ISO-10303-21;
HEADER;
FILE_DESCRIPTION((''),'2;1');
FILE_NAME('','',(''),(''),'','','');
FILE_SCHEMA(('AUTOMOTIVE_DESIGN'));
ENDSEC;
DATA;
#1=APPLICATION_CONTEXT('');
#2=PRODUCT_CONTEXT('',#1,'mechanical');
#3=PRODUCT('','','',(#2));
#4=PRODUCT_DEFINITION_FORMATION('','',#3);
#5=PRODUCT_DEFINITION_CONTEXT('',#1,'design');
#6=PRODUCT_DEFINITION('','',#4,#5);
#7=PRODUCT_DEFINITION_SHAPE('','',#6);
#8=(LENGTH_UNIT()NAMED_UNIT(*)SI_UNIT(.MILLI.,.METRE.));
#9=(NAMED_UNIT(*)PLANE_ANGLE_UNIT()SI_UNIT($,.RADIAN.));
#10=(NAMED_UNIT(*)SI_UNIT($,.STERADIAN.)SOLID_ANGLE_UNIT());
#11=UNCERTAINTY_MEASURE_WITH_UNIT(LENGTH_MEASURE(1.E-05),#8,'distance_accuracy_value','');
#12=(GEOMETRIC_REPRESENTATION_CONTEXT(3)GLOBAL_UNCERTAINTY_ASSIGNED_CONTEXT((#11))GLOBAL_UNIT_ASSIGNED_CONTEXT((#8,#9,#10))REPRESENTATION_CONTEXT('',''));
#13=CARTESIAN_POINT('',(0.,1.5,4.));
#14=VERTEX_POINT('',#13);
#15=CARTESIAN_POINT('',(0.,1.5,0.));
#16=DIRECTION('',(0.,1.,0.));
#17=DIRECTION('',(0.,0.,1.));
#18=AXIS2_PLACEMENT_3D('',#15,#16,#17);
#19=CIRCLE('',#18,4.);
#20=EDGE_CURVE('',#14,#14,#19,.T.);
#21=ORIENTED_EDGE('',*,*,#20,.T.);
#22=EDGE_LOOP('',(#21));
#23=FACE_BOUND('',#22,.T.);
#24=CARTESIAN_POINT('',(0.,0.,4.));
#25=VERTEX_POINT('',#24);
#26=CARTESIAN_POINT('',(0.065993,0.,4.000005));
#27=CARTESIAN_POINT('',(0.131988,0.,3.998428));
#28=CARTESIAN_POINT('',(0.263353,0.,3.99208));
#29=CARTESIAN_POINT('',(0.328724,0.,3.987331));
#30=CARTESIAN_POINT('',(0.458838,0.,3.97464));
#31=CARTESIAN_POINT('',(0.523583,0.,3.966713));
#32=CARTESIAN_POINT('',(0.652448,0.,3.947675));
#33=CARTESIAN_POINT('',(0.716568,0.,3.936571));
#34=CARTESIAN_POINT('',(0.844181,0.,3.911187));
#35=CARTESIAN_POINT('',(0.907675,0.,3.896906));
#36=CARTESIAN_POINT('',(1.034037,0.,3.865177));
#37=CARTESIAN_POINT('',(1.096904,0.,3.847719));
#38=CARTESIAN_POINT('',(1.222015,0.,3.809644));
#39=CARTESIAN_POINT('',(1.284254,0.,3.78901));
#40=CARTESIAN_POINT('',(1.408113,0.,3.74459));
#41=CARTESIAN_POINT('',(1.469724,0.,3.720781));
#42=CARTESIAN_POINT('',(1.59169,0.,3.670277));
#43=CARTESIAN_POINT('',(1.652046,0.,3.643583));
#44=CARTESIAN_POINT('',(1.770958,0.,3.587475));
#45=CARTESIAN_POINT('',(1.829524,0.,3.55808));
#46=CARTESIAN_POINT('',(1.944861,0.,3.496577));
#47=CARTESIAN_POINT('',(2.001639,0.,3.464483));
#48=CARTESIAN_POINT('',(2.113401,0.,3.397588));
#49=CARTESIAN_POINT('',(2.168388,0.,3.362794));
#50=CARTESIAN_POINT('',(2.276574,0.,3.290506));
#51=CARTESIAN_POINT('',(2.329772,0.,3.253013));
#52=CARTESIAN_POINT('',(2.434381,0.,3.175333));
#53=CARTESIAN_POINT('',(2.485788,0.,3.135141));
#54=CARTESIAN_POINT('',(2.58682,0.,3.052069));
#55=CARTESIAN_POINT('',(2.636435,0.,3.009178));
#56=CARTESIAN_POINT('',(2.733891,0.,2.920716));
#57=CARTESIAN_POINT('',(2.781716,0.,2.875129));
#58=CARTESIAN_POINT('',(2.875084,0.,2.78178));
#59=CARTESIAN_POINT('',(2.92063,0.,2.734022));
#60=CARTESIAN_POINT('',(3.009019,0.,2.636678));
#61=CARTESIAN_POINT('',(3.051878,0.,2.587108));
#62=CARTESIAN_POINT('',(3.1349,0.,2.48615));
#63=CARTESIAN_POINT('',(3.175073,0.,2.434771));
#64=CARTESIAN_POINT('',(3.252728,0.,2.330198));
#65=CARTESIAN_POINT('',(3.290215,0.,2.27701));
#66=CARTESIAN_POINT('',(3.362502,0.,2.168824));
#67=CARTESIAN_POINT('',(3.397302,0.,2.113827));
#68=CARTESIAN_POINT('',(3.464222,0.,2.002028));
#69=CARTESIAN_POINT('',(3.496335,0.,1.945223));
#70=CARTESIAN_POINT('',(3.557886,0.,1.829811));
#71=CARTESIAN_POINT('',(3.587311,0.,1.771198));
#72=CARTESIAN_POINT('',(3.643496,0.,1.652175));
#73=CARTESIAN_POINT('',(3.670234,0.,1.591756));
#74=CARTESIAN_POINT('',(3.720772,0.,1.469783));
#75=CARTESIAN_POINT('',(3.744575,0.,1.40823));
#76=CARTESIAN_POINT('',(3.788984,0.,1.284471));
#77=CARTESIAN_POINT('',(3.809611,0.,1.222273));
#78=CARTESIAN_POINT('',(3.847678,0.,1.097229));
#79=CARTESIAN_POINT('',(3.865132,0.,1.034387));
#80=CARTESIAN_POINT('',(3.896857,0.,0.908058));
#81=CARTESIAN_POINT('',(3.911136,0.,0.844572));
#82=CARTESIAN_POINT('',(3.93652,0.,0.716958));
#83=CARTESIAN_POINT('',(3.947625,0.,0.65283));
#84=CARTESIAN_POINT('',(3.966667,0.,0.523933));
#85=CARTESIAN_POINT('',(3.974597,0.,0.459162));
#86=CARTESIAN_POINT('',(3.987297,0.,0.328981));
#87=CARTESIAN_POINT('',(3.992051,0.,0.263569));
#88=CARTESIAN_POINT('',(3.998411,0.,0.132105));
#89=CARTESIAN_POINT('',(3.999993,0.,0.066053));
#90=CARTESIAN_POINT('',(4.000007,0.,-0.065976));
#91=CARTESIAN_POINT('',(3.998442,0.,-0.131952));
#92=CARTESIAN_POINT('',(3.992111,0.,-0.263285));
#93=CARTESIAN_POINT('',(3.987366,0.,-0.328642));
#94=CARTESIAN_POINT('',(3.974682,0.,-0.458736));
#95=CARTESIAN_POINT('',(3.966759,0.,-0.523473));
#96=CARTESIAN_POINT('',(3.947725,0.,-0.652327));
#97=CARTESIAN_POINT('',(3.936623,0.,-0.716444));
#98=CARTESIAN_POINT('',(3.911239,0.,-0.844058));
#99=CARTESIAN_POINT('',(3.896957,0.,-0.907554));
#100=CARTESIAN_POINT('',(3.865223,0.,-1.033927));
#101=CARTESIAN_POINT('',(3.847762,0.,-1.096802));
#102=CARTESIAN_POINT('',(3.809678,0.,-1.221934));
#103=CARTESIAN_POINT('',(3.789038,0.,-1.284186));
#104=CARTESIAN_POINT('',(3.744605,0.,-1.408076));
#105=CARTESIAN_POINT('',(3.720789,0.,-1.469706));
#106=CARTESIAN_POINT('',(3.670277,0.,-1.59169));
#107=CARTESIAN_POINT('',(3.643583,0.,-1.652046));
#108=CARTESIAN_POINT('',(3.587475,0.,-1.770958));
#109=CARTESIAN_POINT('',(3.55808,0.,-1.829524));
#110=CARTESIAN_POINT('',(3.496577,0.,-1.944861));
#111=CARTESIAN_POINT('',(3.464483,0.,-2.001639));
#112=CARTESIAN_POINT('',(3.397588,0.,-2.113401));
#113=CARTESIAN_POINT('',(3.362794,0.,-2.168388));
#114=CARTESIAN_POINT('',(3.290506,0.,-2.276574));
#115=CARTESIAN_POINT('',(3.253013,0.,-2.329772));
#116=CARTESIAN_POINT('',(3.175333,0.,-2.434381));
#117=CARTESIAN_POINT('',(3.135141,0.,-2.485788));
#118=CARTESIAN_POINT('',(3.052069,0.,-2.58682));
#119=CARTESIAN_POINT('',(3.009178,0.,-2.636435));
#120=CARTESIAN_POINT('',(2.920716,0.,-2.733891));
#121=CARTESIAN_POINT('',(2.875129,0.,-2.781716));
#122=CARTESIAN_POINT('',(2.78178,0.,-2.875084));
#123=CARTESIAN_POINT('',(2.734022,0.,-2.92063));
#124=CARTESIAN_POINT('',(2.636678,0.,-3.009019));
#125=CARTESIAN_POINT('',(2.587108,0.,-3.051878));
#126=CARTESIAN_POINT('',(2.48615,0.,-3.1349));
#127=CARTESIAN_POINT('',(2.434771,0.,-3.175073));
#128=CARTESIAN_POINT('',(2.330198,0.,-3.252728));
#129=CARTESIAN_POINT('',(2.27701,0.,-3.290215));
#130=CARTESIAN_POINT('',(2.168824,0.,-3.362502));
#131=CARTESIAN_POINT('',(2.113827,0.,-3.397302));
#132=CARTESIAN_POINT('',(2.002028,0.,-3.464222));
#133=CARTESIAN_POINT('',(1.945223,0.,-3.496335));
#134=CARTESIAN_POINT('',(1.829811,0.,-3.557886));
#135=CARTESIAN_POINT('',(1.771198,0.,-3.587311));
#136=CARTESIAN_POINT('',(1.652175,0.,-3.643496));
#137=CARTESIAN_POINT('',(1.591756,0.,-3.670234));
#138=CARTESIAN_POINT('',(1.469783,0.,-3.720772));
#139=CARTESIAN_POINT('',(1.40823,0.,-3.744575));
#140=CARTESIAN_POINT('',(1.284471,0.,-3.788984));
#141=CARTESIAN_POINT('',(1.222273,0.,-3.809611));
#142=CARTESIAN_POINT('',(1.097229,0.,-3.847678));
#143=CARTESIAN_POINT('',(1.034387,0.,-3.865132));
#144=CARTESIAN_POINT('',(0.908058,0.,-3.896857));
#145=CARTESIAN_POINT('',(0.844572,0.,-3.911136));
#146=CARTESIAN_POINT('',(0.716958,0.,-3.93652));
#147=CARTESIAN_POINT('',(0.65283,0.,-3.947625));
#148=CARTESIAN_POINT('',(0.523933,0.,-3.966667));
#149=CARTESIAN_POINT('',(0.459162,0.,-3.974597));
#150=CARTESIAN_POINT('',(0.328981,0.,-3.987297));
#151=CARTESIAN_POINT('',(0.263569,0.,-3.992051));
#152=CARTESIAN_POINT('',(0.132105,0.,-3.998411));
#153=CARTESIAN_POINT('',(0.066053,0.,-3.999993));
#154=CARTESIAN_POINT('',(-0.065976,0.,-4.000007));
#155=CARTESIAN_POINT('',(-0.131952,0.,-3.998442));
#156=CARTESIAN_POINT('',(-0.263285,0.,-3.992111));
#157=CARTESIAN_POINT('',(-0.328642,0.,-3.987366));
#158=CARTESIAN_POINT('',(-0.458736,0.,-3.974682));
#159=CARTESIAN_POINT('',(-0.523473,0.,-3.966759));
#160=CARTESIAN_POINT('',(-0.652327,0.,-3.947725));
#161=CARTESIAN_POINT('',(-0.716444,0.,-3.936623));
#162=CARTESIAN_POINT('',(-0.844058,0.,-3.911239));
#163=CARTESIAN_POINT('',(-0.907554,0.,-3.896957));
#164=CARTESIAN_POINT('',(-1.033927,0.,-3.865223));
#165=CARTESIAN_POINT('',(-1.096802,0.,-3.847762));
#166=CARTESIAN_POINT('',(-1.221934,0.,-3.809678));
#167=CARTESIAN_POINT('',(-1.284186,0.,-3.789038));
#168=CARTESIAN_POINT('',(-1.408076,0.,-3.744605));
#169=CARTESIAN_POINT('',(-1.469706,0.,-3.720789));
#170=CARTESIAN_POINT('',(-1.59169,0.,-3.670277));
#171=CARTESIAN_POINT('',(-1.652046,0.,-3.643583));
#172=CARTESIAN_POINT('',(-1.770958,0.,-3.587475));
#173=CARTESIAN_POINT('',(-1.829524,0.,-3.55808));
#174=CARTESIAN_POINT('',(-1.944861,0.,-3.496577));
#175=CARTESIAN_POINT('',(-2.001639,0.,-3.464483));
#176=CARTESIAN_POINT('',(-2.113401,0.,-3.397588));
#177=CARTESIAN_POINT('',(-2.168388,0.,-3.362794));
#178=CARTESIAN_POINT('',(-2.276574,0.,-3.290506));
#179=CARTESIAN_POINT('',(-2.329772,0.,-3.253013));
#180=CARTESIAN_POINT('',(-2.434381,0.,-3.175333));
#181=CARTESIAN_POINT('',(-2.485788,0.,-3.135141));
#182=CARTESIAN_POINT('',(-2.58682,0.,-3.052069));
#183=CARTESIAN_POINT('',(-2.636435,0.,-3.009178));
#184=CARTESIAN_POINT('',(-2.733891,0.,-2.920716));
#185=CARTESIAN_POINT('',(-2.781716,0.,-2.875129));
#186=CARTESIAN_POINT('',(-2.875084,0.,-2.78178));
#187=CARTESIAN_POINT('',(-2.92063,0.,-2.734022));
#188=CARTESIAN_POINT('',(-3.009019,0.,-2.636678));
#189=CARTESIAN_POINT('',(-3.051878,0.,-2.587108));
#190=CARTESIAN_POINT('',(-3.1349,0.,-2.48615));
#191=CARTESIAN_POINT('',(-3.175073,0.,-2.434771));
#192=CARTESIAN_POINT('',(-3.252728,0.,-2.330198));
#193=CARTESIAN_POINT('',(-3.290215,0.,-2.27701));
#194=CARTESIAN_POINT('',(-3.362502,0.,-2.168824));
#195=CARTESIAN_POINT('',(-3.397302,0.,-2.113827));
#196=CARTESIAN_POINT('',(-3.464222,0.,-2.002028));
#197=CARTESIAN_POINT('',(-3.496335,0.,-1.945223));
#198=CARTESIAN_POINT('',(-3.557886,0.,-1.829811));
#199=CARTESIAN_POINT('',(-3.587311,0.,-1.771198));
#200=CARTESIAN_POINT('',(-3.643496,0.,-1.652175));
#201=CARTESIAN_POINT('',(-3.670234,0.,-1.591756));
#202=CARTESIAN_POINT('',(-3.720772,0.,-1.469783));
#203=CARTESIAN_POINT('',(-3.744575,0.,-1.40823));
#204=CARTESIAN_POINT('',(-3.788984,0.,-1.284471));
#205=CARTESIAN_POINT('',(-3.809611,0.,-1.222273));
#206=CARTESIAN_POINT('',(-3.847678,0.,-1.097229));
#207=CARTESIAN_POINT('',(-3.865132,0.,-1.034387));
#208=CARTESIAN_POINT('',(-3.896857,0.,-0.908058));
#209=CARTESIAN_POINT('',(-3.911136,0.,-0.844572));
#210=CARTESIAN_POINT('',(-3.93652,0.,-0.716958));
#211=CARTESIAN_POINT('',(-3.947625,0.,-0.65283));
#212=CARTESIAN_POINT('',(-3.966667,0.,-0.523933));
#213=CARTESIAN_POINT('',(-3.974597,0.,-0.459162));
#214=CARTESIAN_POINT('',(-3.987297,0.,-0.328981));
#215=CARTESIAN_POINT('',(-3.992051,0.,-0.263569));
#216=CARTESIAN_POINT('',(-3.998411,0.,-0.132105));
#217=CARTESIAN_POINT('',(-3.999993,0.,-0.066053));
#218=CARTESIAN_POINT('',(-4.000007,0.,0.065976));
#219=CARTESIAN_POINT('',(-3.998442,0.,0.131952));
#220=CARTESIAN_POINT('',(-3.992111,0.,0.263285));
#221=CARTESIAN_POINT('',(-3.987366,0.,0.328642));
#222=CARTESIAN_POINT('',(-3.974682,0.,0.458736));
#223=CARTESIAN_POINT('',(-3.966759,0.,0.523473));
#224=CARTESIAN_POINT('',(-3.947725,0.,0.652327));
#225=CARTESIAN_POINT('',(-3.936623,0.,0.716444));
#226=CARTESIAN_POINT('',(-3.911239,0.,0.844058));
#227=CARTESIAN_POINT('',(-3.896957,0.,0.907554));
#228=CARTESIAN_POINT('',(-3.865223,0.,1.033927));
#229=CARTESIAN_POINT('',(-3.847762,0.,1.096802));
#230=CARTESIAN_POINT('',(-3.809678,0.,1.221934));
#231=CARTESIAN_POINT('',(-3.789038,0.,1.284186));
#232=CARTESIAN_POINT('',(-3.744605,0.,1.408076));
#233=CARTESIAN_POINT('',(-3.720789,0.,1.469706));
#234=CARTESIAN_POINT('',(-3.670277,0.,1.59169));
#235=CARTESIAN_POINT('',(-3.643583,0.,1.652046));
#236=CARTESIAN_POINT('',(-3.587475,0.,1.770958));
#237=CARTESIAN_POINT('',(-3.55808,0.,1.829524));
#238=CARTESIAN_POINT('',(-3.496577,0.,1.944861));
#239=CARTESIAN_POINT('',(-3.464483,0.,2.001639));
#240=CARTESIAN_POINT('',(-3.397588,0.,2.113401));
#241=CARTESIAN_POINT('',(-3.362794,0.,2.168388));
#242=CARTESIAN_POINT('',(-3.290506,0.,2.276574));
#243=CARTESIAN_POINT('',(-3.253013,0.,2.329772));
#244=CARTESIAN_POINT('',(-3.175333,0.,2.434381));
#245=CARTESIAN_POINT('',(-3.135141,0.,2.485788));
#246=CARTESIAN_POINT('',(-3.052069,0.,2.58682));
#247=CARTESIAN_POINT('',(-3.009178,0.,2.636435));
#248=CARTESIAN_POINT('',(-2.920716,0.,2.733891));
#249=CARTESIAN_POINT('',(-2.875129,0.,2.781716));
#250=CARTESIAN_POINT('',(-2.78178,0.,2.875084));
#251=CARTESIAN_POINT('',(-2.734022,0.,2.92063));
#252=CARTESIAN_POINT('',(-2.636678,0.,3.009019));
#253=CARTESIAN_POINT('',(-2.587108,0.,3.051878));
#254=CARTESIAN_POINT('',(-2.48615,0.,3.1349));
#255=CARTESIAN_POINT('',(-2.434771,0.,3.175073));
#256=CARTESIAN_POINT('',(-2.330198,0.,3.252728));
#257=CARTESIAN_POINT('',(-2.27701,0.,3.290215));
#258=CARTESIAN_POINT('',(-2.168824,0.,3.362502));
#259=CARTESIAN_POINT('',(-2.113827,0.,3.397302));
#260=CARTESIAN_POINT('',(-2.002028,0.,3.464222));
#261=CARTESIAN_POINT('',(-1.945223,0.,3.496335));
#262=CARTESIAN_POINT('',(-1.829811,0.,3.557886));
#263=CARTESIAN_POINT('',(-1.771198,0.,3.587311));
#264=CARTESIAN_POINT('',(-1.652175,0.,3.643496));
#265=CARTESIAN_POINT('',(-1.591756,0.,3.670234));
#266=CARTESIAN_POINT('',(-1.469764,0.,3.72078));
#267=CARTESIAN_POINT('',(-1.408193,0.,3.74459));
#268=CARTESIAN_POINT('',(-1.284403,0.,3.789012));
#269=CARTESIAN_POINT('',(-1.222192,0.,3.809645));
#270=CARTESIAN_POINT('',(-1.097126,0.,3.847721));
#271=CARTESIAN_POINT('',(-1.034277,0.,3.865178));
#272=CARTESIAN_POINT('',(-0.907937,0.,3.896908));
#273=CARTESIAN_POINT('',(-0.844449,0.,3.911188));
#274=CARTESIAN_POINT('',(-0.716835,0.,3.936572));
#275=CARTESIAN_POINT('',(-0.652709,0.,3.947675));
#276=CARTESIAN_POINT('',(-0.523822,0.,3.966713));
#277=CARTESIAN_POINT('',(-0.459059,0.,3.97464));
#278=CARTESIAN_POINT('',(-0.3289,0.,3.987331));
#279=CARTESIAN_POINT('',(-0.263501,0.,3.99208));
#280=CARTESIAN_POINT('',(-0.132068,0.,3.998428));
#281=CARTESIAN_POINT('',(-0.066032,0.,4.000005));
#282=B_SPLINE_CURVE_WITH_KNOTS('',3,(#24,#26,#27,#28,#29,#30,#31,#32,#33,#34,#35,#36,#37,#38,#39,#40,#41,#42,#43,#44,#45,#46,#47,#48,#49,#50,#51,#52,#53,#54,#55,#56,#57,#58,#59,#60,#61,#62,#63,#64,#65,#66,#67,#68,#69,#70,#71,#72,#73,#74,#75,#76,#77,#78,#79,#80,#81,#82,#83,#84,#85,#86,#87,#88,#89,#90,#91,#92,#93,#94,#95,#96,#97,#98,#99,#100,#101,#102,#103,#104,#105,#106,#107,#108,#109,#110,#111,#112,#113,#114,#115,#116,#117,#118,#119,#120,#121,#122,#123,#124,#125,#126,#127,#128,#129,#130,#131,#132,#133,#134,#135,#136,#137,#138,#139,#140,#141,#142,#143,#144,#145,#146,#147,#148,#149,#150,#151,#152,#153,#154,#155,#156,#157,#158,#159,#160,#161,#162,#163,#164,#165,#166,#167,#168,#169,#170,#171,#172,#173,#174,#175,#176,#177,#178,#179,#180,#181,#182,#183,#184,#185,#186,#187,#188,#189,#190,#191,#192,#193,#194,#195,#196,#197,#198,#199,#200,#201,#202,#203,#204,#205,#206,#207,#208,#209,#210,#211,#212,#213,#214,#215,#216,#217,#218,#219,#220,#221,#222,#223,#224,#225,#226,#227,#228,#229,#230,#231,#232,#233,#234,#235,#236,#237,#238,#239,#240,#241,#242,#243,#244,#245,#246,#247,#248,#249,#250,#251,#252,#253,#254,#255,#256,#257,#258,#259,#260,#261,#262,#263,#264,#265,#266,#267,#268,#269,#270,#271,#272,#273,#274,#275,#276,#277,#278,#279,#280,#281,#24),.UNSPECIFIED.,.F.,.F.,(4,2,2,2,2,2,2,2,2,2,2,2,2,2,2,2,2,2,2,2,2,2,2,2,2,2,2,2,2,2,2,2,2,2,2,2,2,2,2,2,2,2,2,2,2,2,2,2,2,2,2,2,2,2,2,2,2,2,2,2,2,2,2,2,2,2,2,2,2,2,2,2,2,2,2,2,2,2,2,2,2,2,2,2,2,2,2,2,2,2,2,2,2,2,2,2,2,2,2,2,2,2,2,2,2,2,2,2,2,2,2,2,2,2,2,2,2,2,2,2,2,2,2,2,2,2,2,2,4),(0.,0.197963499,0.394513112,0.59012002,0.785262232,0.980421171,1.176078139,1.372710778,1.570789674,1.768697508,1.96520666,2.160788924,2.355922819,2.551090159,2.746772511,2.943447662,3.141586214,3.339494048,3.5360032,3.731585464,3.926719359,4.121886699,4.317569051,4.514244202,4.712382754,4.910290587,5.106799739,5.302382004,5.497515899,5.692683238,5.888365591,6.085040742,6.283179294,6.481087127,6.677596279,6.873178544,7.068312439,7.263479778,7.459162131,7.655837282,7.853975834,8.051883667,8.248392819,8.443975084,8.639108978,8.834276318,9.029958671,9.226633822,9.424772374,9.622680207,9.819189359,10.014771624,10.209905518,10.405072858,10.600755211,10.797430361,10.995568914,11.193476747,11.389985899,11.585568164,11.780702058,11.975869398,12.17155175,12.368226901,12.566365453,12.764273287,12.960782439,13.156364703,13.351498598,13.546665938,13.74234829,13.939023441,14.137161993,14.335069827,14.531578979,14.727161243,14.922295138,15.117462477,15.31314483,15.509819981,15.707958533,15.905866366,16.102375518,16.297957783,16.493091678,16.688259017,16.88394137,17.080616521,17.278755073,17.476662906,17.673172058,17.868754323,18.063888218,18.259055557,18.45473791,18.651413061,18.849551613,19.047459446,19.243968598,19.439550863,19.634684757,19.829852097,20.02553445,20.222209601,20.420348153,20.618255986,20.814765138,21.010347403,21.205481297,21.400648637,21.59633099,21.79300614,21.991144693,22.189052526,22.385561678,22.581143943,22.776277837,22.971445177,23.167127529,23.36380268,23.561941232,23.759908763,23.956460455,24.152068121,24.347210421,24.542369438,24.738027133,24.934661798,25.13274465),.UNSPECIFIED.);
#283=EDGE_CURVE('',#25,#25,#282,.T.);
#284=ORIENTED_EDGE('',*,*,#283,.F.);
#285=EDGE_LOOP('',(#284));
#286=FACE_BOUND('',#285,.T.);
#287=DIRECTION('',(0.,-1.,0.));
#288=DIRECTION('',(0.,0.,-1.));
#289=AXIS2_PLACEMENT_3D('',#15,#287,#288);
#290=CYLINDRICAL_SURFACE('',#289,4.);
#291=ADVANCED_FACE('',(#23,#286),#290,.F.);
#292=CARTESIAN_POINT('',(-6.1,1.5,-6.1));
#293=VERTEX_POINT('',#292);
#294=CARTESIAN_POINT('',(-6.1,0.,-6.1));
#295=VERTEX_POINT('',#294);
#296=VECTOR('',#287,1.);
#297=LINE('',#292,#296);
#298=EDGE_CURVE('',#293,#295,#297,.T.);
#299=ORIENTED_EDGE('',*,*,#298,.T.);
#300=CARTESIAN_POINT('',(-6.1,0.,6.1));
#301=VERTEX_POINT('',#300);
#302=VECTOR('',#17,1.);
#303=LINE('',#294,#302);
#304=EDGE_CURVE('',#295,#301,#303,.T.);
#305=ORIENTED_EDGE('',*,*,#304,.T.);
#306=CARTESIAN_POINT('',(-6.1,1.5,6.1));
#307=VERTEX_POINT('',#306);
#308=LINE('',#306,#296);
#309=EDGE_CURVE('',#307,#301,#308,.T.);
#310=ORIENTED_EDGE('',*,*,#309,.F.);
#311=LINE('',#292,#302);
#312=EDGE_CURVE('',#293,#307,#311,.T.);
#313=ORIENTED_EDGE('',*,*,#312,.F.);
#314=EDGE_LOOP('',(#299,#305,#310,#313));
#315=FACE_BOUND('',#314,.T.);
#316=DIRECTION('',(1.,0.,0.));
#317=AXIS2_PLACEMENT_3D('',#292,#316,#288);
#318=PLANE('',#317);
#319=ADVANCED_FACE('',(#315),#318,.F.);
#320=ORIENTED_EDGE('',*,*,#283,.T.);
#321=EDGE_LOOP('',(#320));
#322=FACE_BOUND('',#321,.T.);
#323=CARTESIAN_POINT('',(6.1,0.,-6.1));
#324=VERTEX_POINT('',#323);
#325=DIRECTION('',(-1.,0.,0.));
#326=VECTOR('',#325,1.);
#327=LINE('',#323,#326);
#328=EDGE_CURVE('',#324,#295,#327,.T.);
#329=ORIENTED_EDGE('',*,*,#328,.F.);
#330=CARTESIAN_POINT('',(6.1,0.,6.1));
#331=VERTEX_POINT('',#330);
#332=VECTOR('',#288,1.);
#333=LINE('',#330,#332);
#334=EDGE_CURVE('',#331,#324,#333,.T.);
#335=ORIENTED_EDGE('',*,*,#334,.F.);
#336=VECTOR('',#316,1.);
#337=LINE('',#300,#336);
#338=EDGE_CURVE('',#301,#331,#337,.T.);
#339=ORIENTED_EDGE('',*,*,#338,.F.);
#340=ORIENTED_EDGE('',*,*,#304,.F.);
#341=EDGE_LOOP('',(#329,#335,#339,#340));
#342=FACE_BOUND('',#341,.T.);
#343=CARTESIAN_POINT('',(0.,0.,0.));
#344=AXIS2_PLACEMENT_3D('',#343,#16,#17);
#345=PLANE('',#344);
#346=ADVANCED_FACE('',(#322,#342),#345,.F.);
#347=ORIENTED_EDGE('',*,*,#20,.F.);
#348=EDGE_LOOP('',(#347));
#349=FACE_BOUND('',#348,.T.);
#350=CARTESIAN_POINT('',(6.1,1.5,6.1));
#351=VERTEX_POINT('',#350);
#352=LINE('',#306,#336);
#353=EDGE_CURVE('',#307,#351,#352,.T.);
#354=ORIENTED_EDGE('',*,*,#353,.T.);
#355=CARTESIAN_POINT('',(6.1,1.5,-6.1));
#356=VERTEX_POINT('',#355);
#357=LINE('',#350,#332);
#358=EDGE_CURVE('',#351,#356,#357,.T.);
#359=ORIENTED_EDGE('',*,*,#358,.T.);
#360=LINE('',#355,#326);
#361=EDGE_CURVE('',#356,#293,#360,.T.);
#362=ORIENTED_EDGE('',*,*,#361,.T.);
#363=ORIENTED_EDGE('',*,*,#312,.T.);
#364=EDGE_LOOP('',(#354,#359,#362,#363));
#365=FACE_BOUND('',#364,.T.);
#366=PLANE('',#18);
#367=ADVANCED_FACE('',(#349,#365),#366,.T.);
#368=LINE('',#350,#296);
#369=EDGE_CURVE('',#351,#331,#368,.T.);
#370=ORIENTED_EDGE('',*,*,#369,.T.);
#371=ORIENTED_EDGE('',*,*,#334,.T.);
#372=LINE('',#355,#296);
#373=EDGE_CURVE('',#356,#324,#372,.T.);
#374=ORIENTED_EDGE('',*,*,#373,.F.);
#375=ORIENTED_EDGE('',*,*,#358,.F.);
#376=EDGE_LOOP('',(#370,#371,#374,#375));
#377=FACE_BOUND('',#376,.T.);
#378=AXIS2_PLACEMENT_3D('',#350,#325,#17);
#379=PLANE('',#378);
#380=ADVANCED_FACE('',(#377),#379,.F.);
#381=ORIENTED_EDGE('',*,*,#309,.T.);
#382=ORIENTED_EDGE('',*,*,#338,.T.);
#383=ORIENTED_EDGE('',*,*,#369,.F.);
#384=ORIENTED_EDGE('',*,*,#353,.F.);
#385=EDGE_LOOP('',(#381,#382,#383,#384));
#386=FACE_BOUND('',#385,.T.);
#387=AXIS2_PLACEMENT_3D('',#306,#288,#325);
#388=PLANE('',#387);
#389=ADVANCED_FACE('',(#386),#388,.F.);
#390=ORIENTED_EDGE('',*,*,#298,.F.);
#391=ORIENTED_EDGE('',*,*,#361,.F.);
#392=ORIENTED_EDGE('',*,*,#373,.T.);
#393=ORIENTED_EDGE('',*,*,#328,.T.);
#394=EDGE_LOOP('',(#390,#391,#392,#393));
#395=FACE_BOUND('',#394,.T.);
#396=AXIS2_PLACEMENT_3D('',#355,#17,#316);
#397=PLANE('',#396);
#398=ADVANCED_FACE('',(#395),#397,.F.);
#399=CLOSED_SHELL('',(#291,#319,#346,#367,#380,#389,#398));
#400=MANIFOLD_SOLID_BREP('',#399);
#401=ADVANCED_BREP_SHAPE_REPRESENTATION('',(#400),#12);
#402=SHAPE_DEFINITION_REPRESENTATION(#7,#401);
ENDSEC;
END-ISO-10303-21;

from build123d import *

# Parameters (mm, degrees)
SKETCH1_W             = 12.2
SKETCH1_H             = 12.2
SEAL_DEPTH            = 1.5
WATER_HOLE_DEPTH      = 9.756140702
WATER_HOLE_DEPTH_BACK = 9.756140702
SKETCH2_R             = 4


with BuildPart() as part:
    # Sketch1 → Seal (new body)
    with BuildSketch(Plane(origin=(0, 0, 0), x_dir=(1, 0, 0), z_dir=(0, 1, 0))):
        Rectangle(SKETCH1_W, SKETCH1_H)
    extrude(amount=SEAL_DEPTH)

    # Sketch2 → Water_Hole (cut, two sides: drawn at the far end of the back side and taken through both)
    with BuildSketch(Plane(origin=(0, 0, 0), x_dir=(1, 0, 0), z_dir=(0, 1, 0)).offset(-WATER_HOLE_DEPTH_BACK)):
        with Locations(Location((0, 0, 0), (0, 0, 270))):
            Circle(SKETCH2_R)
    extrude(amount=WATER_HOLE_DEPTH + WATER_HOLE_DEPTH_BACK, mode=Mode.SUBTRACT)


solid = part.part
